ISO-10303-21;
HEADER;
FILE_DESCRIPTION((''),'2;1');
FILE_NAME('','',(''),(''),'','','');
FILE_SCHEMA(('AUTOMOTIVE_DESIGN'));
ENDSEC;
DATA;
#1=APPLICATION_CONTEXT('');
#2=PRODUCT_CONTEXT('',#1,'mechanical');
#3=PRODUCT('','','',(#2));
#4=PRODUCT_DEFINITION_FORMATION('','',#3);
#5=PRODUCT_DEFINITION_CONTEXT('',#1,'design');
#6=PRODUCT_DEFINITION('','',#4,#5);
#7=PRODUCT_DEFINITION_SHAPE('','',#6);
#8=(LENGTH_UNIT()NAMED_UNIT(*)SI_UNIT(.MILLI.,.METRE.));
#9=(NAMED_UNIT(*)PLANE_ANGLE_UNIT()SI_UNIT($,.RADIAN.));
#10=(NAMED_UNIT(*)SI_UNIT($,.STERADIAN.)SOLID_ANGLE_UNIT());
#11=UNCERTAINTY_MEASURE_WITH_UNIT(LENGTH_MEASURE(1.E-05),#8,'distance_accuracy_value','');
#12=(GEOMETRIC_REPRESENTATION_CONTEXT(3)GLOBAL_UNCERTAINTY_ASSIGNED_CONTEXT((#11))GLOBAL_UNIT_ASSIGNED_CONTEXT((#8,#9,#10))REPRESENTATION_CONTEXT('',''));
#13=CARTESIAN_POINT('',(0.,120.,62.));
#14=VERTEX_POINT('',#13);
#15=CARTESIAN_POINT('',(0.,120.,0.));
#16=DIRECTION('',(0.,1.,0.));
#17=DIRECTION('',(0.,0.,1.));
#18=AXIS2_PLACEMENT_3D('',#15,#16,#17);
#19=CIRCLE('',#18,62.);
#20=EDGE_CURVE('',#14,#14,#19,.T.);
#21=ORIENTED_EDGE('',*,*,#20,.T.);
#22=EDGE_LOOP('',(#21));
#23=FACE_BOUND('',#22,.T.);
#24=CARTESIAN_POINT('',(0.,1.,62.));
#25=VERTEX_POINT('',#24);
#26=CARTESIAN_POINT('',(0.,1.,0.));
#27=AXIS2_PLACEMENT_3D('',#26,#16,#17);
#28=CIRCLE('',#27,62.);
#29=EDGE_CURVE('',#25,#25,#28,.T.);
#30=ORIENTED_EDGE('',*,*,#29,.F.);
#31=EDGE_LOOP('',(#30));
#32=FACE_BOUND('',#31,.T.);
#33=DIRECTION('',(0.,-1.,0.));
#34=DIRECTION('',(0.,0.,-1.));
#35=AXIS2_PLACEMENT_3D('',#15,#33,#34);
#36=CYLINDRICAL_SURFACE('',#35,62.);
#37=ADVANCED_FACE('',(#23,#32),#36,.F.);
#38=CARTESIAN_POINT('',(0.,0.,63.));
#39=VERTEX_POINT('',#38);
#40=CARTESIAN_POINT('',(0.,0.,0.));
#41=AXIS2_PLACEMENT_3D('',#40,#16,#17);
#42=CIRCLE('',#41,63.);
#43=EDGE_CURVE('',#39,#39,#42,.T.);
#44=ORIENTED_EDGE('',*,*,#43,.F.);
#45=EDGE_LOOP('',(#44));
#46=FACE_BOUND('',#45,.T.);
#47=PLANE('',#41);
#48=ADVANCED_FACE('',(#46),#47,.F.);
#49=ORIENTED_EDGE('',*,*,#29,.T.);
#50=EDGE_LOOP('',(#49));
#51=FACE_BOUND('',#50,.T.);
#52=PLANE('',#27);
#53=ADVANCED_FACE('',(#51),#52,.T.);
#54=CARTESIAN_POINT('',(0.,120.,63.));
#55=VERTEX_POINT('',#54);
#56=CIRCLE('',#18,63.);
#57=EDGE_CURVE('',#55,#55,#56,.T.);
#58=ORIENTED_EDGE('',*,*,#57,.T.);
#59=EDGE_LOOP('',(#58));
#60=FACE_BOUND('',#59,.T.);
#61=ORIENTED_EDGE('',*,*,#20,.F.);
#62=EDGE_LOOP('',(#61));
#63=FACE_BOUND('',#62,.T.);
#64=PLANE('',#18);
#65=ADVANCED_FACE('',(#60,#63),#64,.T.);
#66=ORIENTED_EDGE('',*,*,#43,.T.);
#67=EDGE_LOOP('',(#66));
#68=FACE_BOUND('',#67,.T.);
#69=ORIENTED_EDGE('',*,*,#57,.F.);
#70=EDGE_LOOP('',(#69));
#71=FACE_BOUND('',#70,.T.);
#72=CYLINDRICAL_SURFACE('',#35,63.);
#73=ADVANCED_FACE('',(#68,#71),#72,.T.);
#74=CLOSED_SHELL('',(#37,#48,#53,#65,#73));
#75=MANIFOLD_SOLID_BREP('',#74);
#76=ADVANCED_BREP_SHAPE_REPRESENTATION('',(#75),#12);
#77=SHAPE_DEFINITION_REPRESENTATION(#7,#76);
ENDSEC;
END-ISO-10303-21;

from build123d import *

# Parameters (mm, degrees)
SKETCH1_R           = 63
BOSS_EXTRUDE1_DEPTH = 120
SHELL1_T            = -1


with BuildPart() as part:
    # Sketch1 → Boss-Extrude1 (new body)
    with BuildSketch(Plane(origin=(0, 0, 0), x_dir=(1, 0, 0), z_dir=(0, 1, 0))):
        with Locations(Location((0, 0, 0), (0, 0, 270))):
            Circle(SKETCH1_R)
    extrude(amount=BOSS_EXTRUDE1_DEPTH)

    # Shell1
    shell1_openings = [part.faces().sort_by_distance(p)[0] for p in [
        (0, 120, 0),
    ]]
    offset(amount=SHELL1_T, openings=shell1_openings, kind=Kind.INTERSECTION)


solid = part.part
